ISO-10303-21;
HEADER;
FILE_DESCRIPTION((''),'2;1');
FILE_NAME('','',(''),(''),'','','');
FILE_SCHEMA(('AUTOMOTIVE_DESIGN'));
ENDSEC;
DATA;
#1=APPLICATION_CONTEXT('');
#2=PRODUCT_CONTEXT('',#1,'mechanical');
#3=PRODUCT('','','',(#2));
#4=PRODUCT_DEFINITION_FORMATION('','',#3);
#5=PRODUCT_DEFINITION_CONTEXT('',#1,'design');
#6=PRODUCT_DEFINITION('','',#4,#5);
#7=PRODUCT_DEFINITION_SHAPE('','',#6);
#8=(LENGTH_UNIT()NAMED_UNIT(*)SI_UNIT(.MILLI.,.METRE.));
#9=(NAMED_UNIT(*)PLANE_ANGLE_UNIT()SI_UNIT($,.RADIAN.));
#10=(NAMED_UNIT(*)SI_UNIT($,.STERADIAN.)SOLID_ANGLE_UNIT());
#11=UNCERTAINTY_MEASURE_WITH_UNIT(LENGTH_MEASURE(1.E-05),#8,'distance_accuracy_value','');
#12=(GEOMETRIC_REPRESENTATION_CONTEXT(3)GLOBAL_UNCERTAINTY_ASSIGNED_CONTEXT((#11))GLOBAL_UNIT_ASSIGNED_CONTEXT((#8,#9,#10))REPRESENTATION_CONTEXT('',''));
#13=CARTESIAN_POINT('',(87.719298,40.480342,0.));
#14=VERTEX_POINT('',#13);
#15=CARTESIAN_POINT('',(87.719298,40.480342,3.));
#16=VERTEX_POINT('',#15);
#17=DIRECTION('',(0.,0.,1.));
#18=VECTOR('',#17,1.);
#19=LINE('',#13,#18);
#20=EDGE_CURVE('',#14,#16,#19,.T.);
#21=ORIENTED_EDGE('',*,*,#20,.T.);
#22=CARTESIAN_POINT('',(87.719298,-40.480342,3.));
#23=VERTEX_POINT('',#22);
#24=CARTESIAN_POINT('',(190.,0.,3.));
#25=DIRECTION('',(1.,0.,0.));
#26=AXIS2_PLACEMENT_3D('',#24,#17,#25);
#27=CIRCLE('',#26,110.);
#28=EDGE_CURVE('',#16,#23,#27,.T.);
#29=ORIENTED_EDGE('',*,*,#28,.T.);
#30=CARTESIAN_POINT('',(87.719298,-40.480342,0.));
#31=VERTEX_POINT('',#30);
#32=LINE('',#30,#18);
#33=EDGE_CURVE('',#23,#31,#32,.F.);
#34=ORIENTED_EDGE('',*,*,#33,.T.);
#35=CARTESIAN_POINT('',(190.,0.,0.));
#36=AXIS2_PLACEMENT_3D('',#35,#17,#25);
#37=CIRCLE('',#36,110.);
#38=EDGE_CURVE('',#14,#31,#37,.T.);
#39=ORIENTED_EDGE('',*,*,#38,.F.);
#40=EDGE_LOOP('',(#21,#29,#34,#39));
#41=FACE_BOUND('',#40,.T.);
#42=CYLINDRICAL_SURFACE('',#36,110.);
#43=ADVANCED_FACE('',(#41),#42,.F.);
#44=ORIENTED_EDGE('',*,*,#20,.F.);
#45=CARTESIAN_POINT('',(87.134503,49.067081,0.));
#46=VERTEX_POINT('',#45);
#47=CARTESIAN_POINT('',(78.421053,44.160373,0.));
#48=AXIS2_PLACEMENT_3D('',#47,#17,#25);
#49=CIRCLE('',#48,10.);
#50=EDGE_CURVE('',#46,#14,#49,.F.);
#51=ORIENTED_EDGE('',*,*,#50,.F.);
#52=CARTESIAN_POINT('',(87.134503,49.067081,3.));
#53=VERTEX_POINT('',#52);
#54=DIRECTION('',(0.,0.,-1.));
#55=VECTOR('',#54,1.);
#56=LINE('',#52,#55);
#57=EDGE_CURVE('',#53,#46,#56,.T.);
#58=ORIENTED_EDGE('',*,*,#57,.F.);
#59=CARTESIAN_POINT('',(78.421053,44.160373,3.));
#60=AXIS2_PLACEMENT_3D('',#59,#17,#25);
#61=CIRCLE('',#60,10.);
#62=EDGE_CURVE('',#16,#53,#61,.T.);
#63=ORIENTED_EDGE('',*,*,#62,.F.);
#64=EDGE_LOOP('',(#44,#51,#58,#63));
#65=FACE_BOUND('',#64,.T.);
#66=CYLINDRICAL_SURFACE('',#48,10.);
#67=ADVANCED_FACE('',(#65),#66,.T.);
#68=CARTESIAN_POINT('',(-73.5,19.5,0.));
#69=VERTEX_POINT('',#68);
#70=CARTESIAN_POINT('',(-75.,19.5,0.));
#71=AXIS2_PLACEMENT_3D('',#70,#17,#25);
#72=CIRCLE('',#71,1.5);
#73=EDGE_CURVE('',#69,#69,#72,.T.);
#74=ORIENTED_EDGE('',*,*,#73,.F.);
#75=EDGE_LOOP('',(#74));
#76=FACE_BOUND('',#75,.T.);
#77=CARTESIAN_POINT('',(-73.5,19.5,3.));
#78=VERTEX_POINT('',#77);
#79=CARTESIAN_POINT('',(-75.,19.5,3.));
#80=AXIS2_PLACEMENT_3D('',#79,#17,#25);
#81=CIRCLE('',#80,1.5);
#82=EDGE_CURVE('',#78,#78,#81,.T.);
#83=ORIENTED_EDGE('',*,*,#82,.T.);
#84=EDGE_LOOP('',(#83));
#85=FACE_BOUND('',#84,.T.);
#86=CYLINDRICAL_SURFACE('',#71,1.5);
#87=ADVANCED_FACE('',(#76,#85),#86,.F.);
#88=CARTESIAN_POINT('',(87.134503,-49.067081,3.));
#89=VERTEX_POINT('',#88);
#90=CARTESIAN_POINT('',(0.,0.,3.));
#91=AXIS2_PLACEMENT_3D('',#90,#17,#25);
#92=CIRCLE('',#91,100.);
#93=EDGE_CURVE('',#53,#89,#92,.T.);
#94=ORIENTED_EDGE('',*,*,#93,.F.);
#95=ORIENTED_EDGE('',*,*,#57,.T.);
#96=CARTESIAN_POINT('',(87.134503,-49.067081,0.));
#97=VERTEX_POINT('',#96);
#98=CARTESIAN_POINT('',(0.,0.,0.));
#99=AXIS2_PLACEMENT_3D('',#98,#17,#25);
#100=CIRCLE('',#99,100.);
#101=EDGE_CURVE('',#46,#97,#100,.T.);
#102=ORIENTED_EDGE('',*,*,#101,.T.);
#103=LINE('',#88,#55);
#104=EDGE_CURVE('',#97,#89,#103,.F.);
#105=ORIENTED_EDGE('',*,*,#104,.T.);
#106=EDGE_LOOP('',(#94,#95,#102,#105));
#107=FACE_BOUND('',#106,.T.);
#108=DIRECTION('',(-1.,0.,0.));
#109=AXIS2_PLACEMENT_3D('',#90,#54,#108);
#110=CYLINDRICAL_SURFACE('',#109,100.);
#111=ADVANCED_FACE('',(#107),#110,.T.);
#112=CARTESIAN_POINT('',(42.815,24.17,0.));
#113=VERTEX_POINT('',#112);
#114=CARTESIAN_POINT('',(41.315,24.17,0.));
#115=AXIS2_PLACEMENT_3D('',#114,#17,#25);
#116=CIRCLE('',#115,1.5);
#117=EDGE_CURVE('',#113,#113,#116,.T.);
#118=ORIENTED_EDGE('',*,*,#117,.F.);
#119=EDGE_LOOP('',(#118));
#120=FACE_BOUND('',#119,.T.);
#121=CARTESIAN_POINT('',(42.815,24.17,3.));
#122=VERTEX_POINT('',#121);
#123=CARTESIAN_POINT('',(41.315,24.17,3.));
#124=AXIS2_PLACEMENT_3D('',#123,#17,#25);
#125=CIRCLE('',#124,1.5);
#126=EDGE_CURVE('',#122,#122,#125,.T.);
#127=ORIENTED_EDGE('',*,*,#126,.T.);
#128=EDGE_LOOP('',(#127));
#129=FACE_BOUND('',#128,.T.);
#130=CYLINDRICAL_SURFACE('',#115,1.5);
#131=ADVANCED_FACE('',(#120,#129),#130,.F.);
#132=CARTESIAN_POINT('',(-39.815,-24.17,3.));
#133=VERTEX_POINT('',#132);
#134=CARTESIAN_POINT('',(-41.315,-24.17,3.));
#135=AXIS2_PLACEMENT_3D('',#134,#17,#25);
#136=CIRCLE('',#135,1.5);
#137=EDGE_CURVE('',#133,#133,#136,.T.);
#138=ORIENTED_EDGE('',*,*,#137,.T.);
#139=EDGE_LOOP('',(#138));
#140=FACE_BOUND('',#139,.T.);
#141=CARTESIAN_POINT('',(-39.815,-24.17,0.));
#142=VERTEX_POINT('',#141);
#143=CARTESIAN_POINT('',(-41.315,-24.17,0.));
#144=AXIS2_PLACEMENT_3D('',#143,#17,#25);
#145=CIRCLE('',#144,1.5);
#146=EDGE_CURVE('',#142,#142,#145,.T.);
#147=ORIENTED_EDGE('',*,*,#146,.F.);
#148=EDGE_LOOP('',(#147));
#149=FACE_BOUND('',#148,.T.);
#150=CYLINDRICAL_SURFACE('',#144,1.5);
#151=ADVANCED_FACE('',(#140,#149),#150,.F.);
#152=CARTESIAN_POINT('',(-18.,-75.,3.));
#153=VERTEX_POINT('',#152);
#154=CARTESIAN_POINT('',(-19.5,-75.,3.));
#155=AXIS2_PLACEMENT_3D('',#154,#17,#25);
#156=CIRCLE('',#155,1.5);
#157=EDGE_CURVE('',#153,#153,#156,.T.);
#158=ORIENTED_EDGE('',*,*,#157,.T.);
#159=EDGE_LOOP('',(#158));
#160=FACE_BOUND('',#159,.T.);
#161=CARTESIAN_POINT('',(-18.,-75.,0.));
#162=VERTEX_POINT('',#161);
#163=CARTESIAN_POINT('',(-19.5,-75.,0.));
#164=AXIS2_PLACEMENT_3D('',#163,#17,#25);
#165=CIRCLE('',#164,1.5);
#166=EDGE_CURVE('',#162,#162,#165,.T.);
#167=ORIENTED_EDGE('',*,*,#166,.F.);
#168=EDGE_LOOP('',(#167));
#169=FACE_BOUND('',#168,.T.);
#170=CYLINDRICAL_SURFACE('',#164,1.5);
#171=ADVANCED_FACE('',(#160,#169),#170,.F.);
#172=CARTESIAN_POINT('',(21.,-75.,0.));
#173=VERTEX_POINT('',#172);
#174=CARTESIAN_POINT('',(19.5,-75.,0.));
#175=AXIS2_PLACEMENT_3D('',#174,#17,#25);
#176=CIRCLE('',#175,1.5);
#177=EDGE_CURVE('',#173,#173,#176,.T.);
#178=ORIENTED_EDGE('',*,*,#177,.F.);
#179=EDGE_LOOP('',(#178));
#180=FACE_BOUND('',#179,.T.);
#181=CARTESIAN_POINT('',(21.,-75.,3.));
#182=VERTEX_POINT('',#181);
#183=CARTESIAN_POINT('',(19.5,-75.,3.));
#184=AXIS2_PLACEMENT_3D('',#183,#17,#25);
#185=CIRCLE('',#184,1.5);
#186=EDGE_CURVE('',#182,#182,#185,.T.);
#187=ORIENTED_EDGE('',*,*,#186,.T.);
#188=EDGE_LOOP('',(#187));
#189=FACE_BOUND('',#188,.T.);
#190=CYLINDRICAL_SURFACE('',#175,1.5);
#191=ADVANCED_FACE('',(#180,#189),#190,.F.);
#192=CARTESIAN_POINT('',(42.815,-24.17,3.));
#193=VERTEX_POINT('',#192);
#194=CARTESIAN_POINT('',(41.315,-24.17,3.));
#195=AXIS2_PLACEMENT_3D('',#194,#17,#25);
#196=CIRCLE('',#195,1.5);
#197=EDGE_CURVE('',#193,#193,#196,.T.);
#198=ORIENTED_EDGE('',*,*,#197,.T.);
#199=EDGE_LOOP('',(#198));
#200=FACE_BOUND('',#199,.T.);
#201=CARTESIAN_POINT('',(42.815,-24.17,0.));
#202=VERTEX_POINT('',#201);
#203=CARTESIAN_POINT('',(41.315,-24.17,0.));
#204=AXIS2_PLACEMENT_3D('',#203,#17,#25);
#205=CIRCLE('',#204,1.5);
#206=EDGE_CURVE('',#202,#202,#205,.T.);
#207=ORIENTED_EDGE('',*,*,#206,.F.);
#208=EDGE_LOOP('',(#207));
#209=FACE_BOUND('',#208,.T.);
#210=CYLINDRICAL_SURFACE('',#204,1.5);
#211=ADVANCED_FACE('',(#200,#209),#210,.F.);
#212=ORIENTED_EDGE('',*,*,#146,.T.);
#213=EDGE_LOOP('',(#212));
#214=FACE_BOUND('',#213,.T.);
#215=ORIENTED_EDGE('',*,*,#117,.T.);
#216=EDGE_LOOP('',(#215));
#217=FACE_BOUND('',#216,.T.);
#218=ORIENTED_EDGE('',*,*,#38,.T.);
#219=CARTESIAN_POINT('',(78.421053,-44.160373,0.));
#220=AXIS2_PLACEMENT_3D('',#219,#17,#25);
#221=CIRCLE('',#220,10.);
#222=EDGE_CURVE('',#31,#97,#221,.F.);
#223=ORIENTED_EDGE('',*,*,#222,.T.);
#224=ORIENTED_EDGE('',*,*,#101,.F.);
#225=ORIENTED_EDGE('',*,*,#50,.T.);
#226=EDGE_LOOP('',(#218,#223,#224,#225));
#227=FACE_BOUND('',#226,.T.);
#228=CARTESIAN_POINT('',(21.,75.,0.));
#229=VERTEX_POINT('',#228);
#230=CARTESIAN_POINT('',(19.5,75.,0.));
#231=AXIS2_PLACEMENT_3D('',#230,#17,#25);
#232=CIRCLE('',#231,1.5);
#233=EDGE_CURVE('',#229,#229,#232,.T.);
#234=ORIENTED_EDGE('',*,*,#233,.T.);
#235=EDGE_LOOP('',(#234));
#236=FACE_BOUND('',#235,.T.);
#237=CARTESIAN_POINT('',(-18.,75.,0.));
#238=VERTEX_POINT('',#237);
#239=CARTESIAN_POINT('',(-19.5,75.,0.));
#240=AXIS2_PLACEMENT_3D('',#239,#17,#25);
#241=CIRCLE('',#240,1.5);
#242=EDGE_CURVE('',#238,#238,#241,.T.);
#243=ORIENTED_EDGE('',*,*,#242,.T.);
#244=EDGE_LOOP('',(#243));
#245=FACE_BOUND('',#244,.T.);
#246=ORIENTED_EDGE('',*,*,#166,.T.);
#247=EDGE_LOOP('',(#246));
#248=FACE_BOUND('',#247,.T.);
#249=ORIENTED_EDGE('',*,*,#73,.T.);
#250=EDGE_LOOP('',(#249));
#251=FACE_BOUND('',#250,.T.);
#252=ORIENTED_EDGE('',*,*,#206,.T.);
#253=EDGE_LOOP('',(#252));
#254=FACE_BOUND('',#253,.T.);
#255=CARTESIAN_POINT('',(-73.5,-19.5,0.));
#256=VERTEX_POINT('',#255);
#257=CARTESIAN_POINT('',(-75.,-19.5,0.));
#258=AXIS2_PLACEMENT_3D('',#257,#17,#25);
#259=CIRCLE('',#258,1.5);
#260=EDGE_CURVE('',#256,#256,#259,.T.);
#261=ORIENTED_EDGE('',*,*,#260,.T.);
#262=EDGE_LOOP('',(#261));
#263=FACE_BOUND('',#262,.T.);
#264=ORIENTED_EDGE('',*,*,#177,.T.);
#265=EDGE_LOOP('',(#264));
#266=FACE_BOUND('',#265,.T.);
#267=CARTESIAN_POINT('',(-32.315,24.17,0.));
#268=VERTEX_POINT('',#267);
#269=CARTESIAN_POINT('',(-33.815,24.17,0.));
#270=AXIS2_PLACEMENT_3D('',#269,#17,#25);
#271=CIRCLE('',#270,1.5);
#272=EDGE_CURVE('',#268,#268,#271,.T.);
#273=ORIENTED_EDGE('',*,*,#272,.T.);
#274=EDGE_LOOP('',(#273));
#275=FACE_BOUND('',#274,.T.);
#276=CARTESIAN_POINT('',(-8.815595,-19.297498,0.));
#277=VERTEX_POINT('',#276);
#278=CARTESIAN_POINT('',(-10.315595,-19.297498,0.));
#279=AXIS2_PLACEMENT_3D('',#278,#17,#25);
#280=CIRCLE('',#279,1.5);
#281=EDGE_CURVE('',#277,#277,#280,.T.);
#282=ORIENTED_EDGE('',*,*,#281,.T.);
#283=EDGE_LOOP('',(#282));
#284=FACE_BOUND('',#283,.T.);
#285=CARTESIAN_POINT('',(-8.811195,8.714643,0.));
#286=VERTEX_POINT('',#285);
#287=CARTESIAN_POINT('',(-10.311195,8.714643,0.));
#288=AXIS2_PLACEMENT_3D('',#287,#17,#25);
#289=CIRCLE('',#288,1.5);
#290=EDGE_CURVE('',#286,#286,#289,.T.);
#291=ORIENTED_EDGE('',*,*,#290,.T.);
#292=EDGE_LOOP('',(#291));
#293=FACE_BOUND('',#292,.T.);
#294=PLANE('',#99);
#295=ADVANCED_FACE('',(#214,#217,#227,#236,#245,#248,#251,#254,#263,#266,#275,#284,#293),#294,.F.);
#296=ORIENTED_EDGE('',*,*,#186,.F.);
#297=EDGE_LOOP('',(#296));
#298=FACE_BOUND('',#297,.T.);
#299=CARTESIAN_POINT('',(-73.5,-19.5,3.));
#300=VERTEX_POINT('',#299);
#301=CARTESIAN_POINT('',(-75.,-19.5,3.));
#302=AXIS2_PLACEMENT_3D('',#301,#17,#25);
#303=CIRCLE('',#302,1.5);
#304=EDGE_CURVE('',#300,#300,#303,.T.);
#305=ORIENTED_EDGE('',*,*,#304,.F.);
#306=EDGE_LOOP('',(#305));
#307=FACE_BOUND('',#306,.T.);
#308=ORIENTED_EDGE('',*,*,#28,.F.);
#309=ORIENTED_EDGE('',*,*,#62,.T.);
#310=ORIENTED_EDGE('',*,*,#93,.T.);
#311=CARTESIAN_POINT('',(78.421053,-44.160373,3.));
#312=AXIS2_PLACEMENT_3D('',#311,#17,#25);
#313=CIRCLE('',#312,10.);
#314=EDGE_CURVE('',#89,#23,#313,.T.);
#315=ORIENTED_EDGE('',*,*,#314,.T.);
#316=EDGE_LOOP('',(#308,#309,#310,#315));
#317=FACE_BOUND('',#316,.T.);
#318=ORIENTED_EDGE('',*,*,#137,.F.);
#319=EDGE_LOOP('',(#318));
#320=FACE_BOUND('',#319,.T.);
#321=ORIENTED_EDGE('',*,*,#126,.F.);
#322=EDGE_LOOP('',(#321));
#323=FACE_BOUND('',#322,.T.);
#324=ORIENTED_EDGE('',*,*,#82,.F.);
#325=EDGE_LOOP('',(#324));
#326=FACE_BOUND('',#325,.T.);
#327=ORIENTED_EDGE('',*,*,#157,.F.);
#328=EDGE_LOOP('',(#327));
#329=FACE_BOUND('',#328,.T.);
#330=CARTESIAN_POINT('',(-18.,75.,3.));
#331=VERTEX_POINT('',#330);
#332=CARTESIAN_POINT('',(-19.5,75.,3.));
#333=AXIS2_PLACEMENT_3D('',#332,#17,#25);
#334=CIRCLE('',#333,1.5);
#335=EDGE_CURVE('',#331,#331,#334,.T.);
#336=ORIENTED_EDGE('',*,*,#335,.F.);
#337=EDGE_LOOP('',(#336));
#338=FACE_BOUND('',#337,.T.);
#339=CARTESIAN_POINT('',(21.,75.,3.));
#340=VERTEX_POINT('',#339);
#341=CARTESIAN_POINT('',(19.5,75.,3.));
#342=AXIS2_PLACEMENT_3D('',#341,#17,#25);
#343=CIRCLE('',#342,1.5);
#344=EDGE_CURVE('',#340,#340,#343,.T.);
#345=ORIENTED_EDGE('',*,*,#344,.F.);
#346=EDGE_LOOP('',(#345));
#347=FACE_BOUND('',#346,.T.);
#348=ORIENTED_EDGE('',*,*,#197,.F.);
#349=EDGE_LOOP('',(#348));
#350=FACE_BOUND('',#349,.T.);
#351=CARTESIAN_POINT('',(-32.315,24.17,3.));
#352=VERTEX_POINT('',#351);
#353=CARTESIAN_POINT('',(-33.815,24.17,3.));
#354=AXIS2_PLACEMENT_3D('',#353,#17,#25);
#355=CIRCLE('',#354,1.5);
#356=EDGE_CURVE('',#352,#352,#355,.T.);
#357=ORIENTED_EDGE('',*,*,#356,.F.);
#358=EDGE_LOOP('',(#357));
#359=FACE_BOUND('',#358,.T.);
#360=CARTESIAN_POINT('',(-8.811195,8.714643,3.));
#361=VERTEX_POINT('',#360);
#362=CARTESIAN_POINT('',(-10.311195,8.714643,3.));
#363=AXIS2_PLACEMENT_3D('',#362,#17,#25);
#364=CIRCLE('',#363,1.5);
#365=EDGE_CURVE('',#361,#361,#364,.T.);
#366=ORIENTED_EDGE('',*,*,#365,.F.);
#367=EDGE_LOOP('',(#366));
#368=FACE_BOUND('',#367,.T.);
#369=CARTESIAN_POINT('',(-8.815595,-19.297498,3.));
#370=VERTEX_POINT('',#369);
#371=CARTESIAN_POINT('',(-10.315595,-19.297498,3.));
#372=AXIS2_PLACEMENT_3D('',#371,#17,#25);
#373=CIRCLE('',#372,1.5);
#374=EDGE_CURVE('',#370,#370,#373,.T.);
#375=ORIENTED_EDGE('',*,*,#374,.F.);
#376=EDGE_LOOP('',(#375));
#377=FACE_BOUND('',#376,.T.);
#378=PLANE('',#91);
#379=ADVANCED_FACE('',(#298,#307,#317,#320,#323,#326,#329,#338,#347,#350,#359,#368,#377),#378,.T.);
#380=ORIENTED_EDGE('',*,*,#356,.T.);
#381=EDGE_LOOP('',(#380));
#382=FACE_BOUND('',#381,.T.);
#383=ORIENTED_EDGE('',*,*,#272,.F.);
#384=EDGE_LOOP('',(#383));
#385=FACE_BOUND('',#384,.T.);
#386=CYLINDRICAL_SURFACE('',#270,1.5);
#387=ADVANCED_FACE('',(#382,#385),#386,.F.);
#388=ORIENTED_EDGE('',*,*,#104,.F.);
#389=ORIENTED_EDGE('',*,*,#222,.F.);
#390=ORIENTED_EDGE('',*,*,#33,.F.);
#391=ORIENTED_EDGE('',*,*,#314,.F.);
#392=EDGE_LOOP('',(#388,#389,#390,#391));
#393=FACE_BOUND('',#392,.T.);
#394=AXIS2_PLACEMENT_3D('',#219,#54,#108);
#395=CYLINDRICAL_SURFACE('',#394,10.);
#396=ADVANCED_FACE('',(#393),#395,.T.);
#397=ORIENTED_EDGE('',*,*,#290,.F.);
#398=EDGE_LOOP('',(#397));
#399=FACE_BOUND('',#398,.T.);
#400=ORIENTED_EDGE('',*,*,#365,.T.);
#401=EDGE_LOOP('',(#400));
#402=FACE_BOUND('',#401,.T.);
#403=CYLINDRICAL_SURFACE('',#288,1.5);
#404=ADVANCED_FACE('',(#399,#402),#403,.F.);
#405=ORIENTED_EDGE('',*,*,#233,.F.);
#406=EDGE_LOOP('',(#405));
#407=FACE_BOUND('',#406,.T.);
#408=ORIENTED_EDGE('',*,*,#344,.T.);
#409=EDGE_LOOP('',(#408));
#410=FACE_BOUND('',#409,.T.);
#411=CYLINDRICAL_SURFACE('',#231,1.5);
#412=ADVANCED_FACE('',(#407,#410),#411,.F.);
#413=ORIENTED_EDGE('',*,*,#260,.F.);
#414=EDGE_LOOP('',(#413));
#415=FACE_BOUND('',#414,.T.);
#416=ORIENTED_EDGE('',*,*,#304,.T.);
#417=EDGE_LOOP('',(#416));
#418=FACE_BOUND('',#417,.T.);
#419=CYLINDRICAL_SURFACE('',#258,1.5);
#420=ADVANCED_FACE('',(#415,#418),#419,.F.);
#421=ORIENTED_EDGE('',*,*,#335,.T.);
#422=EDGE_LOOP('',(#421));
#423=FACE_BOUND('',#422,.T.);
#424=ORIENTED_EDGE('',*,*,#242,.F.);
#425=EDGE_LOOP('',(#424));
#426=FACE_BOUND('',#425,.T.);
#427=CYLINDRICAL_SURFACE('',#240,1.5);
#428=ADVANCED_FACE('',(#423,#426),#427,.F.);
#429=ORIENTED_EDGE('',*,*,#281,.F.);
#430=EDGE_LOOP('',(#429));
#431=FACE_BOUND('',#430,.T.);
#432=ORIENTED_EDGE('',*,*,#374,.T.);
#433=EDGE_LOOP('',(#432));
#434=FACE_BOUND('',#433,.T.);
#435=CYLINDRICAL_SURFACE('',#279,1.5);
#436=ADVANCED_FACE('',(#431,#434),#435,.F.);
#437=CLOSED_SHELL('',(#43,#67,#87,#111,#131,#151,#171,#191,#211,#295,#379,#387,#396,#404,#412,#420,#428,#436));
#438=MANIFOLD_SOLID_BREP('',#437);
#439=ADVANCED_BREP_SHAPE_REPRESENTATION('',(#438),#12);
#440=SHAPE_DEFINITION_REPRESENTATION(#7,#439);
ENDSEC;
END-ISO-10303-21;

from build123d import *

# Parameters (mm, degrees)
CROQUIS1_R              = 100
SALIENTE_EXTRUIR1_DEPTH = 3
CROQUIS3_R              = 110
CORTAR_EXTRUIR1_DEPTH   = 3
REDONDEO1_R             = 10
CROQUIS4_R              = 1.5
CORTAR_EXTRUIR2_DEPTH   = 142.453172607
CROQUIS5_R              = 1.5
CORTAR_EXTRUIR3_DEPTH   = 142.453172607


with BuildPart() as part:
    # Croquis1 → Saliente-Extruir1 (new body)
    with BuildSketch(Plane.XY):
        Circle(CROQUIS1_R)
    extrude(amount=SALIENTE_EXTRUIR1_DEPTH)

    # Croquis3 → Cortar-Extruir1 (cut)
    with BuildSketch(Plane.XY.offset(3)):
        with Locations((190, 0)):
            Circle(CROQUIS3_R)
    extrude(amount=-CORTAR_EXTRUIR1_DEPTH, mode=Mode.SUBTRACT)

    # Redondeo1
    redondeo1_edges = [part.edges().sort_by_distance(p)[0] for p in [
        (89.473684211, -44.659375654, 1.5),
        (89.473684211, 44.659375654, 1.5),
    ]]
    fillet(redondeo1_edges, radius=REDONDEO1_R)

    # Croquis4 → Cortar-Extruir2 (cut, through all)
    with BuildSketch(Plane.XY.offset(3)):
        with Locations((-33.815, 24.17)):
            Circle(CROQUIS4_R)
        with Locations((-41.315, -24.17)):
            Circle(CROQUIS4_R)
        with Locations((41.315, -24.17)):
            Circle(CROQUIS4_R)
        with Locations((41.315, 24.17)):
            Circle(CROQUIS4_R)
        with Locations((-10.31559482, -19.297497716)):
            Circle(CROQUIS4_R)
        with Locations((-10.311195262, 8.714642909)):
            Circle(CROQUIS4_R)
    extrude(amount=-CORTAR_EXTRUIR2_DEPTH, mode=Mode.SUBTRACT)

    # Croquis5 → Cortar-Extruir3 (cut, through all)
    with BuildSketch(Plane.XY.offset(3)):
        with Locations((-75, 19.5)):
            Circle(CROQUIS5_R)
        with Locations((-75, -19.5)):
            Circle(CROQUIS5_R)
        with Locations((19.5, 75)):
            Circle(CROQUIS5_R)
        with Locations((-19.5, 75)):
            Circle(CROQUIS5_R)
        with Locations((-19.5, -75)):
            Circle(CROQUIS5_R)
        with Locations((19.5, -75)):
            Circle(CROQUIS5_R)
    extrude(amount=-CORTAR_EXTRUIR3_DEPTH, mode=Mode.SUBTRACT)


solid = part.part
